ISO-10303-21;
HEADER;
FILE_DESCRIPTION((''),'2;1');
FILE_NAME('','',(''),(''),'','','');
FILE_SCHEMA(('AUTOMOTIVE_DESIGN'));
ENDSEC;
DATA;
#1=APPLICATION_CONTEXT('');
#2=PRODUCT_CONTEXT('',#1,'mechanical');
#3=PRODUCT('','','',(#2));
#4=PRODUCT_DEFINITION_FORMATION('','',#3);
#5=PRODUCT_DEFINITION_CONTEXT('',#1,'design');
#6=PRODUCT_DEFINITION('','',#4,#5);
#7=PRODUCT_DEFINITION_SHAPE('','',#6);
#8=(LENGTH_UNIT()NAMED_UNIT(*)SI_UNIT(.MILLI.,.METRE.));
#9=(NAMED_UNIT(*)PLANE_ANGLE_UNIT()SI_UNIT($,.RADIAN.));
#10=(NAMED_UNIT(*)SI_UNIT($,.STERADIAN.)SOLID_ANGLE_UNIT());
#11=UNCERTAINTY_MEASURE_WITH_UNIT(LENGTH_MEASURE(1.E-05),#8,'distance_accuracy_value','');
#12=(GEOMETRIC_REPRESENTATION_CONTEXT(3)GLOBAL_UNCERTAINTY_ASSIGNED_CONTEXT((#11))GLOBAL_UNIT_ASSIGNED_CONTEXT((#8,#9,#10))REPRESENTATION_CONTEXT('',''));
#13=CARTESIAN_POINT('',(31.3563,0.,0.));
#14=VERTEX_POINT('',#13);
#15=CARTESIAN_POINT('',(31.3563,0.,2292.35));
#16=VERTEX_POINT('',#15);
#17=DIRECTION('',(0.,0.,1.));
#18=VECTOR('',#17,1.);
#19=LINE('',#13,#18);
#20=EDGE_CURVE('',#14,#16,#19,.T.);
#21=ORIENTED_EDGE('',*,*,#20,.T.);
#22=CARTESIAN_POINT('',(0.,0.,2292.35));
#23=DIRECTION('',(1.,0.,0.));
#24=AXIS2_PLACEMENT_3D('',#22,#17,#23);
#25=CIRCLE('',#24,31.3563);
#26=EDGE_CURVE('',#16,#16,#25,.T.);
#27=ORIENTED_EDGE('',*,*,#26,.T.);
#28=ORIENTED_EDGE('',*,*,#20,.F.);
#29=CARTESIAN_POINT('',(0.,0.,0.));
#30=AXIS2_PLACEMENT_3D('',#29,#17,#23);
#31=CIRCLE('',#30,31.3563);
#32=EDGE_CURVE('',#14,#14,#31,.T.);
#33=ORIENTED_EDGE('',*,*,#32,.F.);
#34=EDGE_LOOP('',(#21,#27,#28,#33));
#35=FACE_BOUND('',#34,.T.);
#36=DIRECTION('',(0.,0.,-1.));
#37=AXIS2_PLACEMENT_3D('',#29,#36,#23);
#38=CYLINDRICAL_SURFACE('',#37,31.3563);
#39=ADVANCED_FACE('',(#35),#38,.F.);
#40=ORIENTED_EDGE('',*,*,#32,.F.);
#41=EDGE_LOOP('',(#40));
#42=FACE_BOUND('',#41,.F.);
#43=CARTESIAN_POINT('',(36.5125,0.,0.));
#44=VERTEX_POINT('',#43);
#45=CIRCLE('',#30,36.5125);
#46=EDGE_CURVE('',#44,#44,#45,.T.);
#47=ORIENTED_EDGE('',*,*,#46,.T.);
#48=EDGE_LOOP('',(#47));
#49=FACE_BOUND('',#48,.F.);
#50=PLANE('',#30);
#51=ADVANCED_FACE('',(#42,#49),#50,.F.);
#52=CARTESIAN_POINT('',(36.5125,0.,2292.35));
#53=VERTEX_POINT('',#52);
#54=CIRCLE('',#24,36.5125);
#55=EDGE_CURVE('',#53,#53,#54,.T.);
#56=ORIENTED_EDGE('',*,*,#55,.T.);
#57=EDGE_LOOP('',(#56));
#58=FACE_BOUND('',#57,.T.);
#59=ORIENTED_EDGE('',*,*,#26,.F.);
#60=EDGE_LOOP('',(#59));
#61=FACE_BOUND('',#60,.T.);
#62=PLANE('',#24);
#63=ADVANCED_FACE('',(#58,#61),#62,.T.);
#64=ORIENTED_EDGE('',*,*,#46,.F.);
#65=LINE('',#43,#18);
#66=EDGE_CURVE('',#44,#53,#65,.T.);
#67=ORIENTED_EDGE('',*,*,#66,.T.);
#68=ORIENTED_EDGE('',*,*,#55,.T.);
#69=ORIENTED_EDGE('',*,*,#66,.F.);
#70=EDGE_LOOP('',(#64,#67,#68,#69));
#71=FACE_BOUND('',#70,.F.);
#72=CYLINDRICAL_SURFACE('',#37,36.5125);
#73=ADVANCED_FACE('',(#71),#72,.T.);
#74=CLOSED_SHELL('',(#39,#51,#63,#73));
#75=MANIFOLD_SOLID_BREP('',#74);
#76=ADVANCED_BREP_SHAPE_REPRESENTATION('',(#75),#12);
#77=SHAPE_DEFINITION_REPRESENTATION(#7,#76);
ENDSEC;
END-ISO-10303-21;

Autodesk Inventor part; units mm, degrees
ref_plane "YZ Plane" through (0, 0, 0) normal (1, 0, 0) x (0, 1, 0)
ref_plane "XZ Plane" through (0, 0, 0) normal (0, 1, 0) x (-1, 0, 0)
ref_plane "XY Plane" through (0, 0, 0) normal (0, 0, 1) x (1, 0, 0)
sketch "Sketch1" plane through (0, 0, 0) normal (0, 0, 1) x (1, 0, 0)
  circle A0 centre (0, 0) radius 36.5125
  circle A1 centre (0, 0) radius 31.3563
  dimension "d0" = 73.025
  dimension "d1" = 62.7126
extrude "Extrusion1" add sketch "Sketch1" along normal blind 2292.35
properties part number "A1-18002-100-20 2.25in x 8ft bar tube" material "PVC-Piping"
